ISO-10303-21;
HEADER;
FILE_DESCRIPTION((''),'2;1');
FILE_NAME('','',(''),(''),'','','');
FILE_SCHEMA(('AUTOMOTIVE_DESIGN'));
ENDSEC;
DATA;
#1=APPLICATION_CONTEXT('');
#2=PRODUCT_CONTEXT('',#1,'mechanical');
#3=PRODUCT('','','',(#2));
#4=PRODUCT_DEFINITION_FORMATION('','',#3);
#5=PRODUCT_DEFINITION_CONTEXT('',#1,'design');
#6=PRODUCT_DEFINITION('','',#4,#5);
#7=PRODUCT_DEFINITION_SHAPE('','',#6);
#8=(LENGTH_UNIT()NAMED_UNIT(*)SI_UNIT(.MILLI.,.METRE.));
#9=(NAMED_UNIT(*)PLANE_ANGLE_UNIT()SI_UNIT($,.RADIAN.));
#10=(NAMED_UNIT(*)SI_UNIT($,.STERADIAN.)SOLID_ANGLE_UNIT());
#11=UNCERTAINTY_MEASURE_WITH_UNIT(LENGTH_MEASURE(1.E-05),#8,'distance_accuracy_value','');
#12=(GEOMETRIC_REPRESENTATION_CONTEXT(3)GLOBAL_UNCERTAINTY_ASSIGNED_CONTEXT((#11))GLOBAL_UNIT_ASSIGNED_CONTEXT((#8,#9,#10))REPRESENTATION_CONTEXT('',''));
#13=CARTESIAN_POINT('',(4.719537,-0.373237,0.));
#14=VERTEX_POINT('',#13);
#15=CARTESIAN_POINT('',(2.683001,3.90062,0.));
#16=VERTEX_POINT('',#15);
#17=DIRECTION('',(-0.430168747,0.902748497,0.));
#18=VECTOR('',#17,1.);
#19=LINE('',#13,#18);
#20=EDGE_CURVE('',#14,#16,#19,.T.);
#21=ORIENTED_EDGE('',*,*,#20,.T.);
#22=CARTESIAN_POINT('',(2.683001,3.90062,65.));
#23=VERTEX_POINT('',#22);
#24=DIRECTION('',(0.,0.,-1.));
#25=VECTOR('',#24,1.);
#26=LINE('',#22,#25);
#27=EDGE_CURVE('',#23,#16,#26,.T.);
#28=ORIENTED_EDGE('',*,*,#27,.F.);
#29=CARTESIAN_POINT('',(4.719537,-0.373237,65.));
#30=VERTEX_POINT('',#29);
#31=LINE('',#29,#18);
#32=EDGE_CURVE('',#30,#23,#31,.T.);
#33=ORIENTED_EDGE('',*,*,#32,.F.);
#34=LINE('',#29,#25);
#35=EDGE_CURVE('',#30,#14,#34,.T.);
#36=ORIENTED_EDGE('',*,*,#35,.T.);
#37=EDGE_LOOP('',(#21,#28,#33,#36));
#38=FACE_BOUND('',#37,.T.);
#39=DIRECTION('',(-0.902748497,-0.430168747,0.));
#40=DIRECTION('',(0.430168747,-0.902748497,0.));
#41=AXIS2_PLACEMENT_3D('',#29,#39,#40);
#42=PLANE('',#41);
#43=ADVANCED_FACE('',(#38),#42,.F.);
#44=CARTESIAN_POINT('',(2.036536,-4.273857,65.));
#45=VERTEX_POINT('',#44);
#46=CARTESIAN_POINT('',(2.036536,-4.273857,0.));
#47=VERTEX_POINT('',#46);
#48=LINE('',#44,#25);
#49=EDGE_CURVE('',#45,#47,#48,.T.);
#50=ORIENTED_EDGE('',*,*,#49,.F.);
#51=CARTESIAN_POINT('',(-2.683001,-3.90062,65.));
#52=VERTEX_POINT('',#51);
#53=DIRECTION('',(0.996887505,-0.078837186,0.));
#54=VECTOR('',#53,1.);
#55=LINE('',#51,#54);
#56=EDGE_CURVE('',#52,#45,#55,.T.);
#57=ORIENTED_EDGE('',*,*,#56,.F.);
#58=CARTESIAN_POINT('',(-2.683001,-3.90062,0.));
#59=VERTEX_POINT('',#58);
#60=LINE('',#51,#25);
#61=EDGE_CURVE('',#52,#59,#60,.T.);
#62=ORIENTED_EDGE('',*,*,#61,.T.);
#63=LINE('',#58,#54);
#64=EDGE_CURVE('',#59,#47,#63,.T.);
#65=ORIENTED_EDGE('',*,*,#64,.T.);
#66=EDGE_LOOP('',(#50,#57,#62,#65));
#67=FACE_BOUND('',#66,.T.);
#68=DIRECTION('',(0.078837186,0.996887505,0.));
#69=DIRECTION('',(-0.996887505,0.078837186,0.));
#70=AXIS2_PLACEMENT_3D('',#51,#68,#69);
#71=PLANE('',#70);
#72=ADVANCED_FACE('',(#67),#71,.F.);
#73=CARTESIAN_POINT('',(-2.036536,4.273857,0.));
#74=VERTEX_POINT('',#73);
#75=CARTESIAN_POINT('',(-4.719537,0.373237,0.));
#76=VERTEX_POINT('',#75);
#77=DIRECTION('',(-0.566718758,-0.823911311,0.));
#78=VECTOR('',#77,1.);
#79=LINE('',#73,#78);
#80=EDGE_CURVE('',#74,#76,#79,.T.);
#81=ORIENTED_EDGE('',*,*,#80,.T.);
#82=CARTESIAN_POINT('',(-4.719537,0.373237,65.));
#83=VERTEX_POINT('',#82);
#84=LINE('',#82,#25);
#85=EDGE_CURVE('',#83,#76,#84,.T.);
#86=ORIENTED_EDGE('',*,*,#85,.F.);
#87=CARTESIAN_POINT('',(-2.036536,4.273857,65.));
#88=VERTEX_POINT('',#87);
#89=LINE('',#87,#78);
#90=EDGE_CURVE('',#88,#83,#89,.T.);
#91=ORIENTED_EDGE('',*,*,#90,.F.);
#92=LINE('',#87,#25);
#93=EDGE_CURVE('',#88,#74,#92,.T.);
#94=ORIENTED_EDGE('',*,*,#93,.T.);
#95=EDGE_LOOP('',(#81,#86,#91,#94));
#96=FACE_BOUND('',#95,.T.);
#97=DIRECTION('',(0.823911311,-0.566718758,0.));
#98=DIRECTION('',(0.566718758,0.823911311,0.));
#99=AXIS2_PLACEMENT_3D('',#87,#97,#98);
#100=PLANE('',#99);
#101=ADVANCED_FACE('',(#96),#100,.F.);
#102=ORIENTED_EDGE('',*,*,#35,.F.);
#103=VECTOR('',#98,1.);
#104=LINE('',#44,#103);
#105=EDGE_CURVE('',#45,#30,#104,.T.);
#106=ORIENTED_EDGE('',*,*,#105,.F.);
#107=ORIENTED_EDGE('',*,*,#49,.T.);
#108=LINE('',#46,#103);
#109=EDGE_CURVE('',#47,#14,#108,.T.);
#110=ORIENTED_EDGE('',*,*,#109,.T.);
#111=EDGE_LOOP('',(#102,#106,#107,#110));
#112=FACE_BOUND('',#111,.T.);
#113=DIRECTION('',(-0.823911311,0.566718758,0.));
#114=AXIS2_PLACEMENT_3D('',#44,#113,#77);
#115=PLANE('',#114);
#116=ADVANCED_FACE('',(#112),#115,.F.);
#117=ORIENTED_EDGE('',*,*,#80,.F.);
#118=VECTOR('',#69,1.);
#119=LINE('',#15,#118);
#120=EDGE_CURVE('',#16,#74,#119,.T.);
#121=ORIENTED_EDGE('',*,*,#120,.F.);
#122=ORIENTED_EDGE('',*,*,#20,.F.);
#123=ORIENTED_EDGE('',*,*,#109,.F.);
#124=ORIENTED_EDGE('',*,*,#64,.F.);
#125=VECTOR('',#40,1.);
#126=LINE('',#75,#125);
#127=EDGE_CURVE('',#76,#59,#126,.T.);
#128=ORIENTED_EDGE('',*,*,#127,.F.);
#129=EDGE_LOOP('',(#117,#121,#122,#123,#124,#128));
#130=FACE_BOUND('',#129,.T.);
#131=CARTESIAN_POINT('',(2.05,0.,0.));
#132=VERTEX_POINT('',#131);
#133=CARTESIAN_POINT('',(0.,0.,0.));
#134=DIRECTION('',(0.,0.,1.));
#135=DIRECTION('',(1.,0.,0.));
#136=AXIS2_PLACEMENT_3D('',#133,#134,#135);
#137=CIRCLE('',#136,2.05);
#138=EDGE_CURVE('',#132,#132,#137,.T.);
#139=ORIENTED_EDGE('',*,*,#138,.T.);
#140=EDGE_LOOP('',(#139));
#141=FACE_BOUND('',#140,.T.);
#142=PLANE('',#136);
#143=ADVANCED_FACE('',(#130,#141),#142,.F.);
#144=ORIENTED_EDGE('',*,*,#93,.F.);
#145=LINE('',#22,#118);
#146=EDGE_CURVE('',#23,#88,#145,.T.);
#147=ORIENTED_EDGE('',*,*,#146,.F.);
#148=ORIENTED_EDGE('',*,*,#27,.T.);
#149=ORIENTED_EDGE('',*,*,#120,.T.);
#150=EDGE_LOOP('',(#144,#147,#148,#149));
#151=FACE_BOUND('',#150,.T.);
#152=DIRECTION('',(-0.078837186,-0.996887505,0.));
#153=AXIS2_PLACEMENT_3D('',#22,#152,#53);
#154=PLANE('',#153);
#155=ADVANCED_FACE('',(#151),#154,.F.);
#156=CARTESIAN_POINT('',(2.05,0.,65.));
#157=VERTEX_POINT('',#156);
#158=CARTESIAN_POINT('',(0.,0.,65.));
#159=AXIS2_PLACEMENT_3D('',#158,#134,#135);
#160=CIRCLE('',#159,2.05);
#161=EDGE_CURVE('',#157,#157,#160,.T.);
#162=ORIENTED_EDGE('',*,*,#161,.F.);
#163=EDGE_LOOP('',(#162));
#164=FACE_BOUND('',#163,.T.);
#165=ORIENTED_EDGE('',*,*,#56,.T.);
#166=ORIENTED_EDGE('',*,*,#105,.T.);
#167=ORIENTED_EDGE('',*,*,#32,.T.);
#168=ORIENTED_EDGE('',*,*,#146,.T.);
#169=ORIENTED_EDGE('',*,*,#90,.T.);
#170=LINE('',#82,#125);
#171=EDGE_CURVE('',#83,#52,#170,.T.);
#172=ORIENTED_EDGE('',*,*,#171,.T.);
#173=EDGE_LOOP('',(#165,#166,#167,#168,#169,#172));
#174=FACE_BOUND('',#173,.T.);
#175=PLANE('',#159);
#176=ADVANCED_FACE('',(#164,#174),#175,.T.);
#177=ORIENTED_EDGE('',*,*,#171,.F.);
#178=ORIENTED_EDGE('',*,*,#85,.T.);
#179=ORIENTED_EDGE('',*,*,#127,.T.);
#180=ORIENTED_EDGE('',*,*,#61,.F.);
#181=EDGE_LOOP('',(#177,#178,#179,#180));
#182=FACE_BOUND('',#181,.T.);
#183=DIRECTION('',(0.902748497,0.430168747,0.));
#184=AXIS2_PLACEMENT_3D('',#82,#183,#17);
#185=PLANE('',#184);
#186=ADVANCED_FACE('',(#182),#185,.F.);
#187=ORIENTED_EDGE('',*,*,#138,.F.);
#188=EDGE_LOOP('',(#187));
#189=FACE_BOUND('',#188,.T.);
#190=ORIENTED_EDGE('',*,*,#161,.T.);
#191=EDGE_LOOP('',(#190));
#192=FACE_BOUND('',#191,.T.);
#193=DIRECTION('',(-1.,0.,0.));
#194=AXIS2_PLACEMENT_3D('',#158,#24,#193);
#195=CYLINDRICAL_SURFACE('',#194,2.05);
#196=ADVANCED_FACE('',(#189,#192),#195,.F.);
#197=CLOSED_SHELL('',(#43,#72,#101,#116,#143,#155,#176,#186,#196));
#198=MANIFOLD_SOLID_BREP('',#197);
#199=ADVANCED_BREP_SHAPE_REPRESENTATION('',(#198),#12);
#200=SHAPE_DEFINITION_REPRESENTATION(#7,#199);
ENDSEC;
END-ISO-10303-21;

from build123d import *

# Parameters (mm, degrees)
ESQUISSE1_R        = 2.05
BOSS_EXTRU_1_DEPTH = 65


with BuildPart() as part:
    # Esquisse1 → Boss.-Extru.1 (new body)
    with BuildSketch(Plane.XY):
        Polygon((-2.036535943, 4.27385712), (-4.71953681, 0.373236698), (-2.683000867, -3.900620423), (2.036535943, -4.27385712), (4.71953681, -0.373236698), (2.683000867, 3.900620423), align=None)
        Circle(ESQUISSE1_R, mode=Mode.SUBTRACT)
    extrude(amount=BOSS_EXTRU_1_DEPTH)


solid = part.part
